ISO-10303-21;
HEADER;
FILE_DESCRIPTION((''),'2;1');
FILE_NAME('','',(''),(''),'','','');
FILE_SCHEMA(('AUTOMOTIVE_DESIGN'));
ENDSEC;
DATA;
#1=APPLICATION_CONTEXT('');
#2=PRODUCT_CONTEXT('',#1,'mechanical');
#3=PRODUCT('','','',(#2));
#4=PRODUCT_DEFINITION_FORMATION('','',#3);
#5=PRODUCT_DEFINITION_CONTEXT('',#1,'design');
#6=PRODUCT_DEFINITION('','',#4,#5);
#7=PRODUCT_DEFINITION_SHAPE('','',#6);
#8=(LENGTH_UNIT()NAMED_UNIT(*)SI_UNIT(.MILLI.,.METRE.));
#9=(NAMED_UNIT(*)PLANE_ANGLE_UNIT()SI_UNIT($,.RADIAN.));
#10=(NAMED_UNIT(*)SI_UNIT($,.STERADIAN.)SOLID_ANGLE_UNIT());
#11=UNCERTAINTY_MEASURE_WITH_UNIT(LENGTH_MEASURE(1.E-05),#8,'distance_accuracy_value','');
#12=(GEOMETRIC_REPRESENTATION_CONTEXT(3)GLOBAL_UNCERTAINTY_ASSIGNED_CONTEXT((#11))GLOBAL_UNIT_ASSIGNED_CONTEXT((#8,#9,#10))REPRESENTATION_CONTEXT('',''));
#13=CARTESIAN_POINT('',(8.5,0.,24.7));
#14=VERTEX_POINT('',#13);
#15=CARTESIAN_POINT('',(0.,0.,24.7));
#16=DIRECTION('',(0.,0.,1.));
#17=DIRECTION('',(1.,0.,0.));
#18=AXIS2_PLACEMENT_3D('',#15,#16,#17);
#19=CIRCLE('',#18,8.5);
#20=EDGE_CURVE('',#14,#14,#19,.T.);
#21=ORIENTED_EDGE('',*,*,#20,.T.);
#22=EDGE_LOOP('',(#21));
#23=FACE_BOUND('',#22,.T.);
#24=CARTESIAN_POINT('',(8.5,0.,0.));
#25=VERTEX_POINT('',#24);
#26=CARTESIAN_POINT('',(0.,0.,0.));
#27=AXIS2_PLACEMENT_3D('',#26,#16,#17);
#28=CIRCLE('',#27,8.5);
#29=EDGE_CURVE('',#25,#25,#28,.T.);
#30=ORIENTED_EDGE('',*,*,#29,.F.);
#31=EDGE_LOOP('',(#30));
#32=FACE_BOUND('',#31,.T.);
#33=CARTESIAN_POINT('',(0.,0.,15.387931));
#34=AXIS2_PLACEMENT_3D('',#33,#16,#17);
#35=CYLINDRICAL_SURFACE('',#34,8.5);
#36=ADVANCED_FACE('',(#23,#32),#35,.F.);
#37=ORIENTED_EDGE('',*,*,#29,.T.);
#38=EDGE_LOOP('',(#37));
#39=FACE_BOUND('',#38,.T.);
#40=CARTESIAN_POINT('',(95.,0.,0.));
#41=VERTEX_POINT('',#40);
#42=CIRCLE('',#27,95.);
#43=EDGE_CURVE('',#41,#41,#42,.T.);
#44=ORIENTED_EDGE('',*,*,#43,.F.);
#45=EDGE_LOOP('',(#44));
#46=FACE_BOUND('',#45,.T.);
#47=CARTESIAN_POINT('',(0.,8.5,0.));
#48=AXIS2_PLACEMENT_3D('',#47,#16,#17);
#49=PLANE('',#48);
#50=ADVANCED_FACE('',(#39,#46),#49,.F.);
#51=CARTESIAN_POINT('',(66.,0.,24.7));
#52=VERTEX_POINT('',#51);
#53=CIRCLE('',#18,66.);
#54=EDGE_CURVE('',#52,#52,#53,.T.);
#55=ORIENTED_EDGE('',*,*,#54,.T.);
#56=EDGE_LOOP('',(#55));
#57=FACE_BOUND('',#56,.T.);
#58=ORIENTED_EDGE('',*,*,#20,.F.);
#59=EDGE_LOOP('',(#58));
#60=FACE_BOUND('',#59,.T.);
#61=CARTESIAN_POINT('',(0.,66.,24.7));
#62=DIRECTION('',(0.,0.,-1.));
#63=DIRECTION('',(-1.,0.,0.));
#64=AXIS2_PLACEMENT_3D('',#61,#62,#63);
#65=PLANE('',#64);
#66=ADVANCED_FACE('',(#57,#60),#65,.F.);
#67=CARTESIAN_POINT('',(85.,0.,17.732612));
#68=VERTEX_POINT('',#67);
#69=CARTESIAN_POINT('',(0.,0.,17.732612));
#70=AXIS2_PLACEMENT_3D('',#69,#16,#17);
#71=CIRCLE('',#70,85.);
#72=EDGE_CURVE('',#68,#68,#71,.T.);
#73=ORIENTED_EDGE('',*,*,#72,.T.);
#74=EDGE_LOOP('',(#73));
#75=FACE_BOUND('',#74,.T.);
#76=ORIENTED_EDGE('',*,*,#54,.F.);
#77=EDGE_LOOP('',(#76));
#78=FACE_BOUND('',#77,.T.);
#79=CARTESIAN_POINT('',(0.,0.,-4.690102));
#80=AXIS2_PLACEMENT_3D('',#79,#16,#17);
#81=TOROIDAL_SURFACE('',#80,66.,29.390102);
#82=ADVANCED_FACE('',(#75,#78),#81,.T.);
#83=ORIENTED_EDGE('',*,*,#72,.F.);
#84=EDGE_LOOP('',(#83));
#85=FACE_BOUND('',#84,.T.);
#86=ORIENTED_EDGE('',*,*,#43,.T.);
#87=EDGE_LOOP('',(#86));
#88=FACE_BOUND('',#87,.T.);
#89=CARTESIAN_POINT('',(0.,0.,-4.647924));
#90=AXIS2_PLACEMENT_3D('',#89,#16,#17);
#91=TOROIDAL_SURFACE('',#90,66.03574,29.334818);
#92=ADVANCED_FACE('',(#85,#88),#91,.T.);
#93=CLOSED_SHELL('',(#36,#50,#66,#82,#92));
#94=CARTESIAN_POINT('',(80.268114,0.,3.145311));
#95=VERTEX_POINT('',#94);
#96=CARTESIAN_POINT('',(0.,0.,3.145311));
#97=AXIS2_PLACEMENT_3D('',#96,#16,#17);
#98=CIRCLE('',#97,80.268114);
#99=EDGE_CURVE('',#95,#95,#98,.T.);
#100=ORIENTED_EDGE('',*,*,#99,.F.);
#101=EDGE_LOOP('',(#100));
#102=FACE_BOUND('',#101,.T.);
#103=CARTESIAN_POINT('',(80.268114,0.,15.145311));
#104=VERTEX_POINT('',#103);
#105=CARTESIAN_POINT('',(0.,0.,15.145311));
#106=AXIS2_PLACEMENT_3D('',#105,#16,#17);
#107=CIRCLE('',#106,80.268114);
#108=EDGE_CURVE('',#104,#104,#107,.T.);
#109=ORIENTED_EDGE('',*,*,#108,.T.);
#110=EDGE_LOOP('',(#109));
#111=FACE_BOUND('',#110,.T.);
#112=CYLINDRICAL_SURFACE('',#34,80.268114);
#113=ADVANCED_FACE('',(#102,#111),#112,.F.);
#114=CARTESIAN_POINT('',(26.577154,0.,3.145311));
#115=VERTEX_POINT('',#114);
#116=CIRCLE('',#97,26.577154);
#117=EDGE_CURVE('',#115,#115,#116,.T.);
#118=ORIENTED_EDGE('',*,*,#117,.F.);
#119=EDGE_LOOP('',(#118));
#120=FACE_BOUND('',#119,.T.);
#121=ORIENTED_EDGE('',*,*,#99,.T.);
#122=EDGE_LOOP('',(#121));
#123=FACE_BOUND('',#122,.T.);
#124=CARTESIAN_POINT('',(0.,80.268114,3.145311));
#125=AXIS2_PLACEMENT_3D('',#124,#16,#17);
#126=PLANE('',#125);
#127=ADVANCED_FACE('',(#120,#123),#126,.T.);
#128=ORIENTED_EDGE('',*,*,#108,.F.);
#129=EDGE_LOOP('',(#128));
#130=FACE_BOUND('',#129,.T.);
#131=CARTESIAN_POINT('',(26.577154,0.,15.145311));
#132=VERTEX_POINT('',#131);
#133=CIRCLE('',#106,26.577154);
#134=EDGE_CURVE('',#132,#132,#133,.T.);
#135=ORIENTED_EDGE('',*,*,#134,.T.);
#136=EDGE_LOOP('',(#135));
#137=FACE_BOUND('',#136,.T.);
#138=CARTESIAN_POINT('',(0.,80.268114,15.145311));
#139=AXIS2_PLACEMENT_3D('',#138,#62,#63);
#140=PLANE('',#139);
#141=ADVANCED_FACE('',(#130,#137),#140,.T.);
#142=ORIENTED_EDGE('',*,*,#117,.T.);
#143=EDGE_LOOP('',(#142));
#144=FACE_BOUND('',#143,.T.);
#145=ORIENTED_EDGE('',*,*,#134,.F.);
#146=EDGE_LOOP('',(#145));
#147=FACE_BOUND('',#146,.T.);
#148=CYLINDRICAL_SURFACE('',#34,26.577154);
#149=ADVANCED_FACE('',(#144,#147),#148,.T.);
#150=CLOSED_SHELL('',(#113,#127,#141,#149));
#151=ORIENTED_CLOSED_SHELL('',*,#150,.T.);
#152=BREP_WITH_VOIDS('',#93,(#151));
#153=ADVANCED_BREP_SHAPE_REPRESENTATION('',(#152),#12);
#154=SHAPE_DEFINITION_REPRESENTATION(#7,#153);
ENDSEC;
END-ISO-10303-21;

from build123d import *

# Parameters (mm, degrees)
SKETCH1_W = 12
SKETCH1_H = 53.690960396


with BuildPart() as part:
    # Sketch1 → Revolve1 (revolve)
    with BuildSketch(Plane(origin=(0, 0, 0), x_dir=(0, 0, -1), z_dir=(1, 0, 0)), mode=Mode.PRIVATE) as revolve1_sk:
        with BuildLine():
            Line((0, 8.5), (-24.7, 8.5))
            Line((-24.7, 8.5), (-24.7, 66))
            ThreePointArc((-24.7, 66), (-22.903230037, 76.118602871), (-17.732611951, 85))
            ThreePointArc((-17.732611951, 85), (-9.761601016, 91.587591953), (0, 95))
            Line((0, 95), (0, 8.5))
        make_face()
        with Locations((-9.145311229, 53.422633767)):
            Rectangle(SKETCH1_W, SKETCH1_H, mode=Mode.SUBTRACT)
    revolve(revolve1_sk.sketch.rotate(Axis((0, 0, 15.387931034), (0, 0, -1)), 90), axis=Axis((0, 0, 15.387931034), (0, 0, -1)))


solid = part.part
